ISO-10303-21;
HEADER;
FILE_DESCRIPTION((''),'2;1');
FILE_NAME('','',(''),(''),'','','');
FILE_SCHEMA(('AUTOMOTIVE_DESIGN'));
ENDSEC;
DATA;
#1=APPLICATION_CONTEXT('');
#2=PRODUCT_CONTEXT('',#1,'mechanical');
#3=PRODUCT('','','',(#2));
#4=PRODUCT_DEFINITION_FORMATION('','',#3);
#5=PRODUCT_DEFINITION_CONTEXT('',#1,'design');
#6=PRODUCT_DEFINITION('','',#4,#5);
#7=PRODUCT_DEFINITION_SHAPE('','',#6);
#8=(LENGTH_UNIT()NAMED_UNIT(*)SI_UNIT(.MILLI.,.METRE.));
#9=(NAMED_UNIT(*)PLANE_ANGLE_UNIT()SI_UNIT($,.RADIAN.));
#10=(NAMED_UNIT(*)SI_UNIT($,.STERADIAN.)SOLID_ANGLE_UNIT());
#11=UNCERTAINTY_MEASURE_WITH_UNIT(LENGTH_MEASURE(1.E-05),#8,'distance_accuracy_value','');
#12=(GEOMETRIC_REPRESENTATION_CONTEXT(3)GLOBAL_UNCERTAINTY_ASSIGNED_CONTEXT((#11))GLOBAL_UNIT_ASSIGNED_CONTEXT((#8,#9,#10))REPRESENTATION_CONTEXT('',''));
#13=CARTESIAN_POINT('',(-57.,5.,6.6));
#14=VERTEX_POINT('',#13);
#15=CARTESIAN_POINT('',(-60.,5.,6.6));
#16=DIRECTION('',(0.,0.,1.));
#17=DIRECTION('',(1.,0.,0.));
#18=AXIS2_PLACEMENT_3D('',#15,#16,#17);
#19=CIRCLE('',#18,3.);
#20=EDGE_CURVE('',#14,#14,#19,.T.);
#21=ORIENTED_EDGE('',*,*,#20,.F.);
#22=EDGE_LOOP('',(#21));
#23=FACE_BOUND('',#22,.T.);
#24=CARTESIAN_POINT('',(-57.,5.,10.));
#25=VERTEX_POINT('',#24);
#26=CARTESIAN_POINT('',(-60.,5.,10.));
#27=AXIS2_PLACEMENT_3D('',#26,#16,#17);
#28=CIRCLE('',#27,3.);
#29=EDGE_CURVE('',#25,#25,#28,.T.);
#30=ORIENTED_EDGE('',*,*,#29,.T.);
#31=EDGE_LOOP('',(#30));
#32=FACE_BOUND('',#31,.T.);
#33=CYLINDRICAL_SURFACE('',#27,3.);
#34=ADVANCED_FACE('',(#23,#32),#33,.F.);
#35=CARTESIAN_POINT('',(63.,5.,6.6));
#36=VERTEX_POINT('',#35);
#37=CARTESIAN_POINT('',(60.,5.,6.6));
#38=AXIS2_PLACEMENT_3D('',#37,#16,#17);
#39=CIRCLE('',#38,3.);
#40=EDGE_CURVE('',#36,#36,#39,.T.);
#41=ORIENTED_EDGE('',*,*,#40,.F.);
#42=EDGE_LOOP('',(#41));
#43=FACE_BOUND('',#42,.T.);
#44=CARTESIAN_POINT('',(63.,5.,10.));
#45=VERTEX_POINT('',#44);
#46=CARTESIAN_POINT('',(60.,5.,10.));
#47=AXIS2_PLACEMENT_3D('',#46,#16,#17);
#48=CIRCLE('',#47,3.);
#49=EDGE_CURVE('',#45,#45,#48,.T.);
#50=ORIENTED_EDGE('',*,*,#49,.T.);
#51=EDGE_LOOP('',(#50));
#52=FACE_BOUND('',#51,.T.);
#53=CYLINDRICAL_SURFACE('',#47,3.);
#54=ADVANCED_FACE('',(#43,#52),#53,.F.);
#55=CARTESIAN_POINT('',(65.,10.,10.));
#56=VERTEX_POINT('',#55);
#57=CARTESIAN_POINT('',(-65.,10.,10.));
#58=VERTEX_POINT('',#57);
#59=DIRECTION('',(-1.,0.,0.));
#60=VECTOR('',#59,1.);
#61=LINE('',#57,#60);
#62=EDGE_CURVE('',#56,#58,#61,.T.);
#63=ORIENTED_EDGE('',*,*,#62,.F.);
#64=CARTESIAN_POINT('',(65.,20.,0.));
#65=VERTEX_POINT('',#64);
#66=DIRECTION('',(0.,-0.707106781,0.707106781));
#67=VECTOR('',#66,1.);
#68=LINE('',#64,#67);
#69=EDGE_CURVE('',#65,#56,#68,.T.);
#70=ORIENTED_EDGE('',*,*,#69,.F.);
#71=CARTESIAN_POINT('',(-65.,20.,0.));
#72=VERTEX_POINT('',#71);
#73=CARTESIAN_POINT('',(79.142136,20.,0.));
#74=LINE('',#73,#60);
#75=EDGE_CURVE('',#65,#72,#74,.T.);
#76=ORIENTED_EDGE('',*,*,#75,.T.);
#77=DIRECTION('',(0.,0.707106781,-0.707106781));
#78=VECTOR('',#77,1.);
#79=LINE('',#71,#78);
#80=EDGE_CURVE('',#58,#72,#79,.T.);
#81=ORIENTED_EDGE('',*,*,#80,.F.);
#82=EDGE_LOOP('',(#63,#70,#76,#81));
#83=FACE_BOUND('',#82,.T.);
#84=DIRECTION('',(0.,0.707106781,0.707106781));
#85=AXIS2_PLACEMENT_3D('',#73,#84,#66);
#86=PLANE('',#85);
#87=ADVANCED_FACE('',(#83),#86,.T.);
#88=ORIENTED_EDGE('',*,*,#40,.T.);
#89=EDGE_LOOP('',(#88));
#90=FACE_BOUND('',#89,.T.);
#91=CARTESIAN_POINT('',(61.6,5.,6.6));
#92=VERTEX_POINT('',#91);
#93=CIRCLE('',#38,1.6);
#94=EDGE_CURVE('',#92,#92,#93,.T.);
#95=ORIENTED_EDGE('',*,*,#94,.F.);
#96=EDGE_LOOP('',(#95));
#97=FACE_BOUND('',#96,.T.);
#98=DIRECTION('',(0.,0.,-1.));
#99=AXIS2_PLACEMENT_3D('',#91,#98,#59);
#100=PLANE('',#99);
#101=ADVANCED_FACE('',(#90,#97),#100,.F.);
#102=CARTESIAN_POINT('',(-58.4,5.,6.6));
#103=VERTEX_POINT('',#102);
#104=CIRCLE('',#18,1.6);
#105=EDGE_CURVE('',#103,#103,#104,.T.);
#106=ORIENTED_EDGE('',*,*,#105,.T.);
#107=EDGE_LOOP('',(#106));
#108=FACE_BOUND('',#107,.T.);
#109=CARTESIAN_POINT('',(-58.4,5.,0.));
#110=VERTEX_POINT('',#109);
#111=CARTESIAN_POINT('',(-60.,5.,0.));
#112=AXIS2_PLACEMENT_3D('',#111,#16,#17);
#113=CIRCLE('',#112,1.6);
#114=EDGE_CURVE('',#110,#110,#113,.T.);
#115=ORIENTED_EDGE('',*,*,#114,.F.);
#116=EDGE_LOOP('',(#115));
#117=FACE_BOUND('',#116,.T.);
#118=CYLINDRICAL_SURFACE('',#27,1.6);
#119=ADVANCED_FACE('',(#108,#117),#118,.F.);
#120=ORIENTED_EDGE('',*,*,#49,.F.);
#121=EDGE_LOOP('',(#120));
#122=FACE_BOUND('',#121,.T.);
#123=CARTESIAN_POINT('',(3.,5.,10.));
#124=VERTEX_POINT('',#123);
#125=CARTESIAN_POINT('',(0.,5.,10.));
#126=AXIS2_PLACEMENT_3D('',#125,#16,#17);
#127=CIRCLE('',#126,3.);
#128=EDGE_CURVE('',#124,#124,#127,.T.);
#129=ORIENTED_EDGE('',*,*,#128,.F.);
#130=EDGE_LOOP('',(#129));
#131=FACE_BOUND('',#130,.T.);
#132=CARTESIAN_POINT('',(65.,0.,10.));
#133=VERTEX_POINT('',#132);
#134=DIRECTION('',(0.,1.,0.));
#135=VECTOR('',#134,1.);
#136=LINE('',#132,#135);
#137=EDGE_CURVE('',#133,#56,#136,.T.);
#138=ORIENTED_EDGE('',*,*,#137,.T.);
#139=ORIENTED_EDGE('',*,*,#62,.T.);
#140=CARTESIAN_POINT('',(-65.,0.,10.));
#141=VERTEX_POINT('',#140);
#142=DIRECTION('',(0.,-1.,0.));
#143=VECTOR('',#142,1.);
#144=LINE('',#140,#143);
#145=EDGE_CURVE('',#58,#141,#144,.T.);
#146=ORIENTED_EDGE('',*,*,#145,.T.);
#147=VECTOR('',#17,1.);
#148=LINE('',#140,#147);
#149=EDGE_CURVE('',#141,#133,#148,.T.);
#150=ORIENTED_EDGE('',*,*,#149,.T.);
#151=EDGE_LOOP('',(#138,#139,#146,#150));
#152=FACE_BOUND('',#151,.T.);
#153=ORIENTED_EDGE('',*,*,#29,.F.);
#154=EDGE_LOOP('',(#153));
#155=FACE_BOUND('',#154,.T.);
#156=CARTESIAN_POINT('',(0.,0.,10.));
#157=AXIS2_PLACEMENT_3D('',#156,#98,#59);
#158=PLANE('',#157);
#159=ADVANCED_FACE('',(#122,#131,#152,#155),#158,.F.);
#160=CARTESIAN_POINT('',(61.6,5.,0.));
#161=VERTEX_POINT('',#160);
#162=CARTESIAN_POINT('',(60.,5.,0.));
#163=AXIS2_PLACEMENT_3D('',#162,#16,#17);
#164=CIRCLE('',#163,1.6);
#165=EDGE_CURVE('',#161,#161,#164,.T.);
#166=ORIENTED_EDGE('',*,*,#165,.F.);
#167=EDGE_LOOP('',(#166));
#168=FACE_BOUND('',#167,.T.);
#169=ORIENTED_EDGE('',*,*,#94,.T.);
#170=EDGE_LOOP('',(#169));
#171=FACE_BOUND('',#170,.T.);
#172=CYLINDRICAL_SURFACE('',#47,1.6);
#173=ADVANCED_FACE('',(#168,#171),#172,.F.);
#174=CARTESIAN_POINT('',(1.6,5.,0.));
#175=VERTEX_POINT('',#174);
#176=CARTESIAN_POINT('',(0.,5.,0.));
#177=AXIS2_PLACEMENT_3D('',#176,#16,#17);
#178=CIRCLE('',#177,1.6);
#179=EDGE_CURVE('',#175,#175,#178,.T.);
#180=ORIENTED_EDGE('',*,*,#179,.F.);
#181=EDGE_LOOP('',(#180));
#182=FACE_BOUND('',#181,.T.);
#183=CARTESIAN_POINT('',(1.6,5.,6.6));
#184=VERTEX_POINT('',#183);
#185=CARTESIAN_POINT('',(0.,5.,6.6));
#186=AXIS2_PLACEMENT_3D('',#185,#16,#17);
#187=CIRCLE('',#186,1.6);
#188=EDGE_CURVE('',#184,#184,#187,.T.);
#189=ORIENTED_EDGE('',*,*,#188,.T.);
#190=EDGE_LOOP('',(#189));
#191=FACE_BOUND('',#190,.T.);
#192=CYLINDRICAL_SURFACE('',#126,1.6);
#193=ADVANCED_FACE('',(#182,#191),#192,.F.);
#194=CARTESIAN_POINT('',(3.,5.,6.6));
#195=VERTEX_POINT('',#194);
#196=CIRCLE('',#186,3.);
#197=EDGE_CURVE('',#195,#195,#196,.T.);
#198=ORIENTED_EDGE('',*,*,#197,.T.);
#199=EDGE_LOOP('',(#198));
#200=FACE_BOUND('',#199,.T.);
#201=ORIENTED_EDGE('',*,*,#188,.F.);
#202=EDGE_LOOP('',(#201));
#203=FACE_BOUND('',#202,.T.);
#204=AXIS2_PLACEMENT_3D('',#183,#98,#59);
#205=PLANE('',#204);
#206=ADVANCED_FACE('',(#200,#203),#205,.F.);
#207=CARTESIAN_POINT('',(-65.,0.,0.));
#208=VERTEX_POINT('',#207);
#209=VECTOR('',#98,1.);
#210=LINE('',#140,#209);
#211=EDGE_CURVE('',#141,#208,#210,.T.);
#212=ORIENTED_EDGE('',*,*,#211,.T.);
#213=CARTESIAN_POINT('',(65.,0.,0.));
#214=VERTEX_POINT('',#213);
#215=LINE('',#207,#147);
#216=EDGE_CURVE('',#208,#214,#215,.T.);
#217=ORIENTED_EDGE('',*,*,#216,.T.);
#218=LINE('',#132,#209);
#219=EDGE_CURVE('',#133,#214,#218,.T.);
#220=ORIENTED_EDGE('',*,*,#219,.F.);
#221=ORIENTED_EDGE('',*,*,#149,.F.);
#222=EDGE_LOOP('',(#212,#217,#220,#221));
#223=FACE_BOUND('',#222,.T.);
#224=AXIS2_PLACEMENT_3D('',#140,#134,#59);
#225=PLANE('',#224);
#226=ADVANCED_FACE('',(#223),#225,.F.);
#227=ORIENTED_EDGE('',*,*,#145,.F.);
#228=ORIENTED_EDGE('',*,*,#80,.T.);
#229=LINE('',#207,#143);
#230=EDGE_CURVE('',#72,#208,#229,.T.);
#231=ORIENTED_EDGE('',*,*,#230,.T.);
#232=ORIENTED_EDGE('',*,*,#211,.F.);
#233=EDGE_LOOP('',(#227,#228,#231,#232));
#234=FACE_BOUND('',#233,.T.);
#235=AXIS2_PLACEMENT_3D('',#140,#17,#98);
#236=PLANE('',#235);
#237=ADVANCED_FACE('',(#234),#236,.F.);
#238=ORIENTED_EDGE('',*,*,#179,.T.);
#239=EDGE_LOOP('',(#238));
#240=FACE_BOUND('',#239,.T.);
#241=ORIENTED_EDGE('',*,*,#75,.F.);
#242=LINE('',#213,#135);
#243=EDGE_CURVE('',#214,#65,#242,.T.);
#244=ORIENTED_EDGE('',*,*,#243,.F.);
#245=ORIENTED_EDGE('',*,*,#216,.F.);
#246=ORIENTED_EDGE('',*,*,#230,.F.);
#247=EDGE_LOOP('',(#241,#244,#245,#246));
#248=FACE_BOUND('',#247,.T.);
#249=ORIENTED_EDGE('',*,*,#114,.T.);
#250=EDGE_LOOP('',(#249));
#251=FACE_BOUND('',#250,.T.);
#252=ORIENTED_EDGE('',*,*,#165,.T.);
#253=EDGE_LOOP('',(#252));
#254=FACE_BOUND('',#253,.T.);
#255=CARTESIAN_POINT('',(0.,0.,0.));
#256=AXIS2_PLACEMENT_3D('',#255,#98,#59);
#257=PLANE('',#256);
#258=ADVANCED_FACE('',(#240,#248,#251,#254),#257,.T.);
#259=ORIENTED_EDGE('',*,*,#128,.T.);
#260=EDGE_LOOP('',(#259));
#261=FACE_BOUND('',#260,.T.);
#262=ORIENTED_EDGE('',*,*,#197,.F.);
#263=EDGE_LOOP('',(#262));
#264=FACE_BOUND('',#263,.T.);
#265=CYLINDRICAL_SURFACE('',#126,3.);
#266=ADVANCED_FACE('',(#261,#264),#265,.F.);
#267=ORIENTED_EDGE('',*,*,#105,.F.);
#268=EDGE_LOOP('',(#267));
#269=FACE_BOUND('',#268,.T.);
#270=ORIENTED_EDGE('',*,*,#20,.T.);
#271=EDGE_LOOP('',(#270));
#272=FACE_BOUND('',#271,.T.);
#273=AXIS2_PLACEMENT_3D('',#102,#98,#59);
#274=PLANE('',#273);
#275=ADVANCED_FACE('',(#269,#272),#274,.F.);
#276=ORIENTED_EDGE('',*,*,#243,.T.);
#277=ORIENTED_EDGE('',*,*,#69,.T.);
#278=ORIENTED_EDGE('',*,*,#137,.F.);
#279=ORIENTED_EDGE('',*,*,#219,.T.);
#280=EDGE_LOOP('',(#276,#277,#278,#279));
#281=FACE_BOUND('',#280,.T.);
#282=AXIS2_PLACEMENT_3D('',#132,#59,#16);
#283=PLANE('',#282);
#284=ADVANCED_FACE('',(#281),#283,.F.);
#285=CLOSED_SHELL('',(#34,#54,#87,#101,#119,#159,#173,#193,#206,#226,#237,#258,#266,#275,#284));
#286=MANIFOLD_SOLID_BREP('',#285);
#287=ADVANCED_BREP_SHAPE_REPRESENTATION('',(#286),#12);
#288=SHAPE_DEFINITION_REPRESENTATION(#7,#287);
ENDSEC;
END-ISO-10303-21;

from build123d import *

# Parameters (mm, degrees)
SKETCH1_W                                            = 130
SKETCH1_H                                            = 10
BOSS_EXTRUDE1_DEPTH                                  = 10
CBORE_FOR_M3_HEXAGON_SOCKET_HEAD_CAP_SCR_D           = 3.2
CBORE_FOR_M3_HEXAGON_SOCKET_HEAD_CAP_SCR_CBORE_D     = 6
CBORE_FOR_M3_HEXAGON_SOCKET_HEAD_CAP_SCR_CBORE_DEPTH = 3.4
BOSS_EXTRUDE2_DEPTH                                  = 130


with BuildPart() as part:
    # Sketch1 → Boss-Extrude1 (new body)
    with BuildSketch(Plane.XY):
        with Locations((0, 5)):
            Rectangle(SKETCH1_W, SKETCH1_H)
    extrude(amount=BOSS_EXTRUDE1_DEPTH)

    # CBORE for M3 Hexagon socket head cap screws1 (through all)
    with Locations(Plane.XY.offset(10)):
        with Locations((-60, 5), (0, 5), (60, 5)):
            CounterBoreHole(CBORE_FOR_M3_HEXAGON_SOCKET_HEAD_CAP_SCR_D / 2, CBORE_FOR_M3_HEXAGON_SOCKET_HEAD_CAP_SCR_CBORE_D / 2, CBORE_FOR_M3_HEXAGON_SOCKET_HEAD_CAP_SCR_CBORE_DEPTH)

    # Sketch4 → Boss-Extrude2 (add)
    with BuildSketch(Plane.ZY.offset(65)):
        Polygon((10, 10), (0, 10), (0, 20), align=None)
    extrude(amount=-BOSS_EXTRUDE2_DEPTH)


solid = part.part
